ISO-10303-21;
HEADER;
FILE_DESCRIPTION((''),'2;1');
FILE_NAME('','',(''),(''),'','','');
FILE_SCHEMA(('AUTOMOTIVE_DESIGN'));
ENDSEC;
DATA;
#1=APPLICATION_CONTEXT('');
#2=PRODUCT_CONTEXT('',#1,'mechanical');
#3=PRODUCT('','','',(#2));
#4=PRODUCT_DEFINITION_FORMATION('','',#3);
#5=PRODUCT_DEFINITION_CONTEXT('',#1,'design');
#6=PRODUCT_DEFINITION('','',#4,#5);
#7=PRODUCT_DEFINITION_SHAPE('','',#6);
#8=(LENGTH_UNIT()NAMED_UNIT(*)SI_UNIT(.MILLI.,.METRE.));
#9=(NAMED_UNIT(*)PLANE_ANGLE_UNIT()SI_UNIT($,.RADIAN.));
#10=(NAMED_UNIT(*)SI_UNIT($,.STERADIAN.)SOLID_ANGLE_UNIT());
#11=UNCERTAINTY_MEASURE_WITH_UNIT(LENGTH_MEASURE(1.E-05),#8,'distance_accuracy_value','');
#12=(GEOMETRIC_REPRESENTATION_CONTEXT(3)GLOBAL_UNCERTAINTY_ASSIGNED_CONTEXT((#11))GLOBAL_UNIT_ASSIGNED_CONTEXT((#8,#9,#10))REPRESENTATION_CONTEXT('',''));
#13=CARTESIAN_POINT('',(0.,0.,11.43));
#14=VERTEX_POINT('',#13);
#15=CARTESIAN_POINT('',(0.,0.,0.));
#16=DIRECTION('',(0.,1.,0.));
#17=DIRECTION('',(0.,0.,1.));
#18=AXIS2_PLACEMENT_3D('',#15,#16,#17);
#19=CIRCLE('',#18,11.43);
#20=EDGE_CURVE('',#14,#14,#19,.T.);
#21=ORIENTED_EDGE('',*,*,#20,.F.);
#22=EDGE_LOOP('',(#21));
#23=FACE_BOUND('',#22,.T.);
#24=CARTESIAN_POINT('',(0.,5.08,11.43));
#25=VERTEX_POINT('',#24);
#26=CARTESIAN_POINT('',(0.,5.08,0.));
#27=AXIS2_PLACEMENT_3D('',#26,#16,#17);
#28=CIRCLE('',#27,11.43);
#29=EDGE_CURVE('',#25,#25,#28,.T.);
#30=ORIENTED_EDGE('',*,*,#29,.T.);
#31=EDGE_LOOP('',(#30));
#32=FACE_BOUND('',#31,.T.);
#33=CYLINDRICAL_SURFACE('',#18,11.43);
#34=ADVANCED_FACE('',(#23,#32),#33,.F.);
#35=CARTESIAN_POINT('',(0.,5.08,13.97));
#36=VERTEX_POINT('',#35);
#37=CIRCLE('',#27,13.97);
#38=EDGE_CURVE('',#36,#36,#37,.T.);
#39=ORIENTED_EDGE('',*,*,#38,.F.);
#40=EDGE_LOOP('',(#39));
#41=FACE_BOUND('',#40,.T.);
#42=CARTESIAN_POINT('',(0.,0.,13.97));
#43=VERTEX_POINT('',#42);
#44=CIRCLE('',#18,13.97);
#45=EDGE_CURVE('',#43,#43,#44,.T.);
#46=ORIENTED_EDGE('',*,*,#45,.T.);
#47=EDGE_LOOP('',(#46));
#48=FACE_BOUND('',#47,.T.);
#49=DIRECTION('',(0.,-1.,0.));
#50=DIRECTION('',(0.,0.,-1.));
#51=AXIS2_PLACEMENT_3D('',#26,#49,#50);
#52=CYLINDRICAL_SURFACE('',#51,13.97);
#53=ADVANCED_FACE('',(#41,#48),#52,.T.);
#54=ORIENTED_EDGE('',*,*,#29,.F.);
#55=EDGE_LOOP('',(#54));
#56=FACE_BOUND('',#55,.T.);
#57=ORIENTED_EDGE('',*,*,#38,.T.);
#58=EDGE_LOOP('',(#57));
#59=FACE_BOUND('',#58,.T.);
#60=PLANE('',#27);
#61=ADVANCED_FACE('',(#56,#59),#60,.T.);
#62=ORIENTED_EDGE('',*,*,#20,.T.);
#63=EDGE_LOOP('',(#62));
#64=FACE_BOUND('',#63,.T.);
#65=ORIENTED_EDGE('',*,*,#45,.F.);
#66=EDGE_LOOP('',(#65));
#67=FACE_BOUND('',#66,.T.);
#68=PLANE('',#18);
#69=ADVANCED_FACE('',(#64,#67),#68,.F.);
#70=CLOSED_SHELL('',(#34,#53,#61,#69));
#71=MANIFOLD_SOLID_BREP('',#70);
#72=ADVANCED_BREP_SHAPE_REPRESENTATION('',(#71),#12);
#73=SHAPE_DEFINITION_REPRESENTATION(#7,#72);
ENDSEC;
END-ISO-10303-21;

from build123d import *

# Parameters (mm, degrees)
SKETCH1_R           = 13.97
BOSS_EXTRUDE1_DEPTH = 5.08
SKETCH2_R           = 11.43
CUT_EXTRUDE1_DEPTH  = 5.08


with BuildPart() as part:
    # Sketch1 → Boss-Extrude1 (new body)
    with BuildSketch(Plane(origin=(0, 0, 0), x_dir=(1, 0, 0), z_dir=(0, 1, 0))):
        with Locations(Location((0, 0, 0), (0, 0, 270))):
            Circle(SKETCH1_R)
    extrude(amount=BOSS_EXTRUDE1_DEPTH)

    # Sketch2 → Cut-Extrude1 (cut)
    with BuildSketch(Plane(origin=(0, 5.08, 0), x_dir=(1, 0, 0), z_dir=(0, 1, 0))):
        with Locations(Location((0, 0, 0), (0, 0, 270))):
            Circle(SKETCH2_R)
    extrude(amount=-CUT_EXTRUDE1_DEPTH, mode=Mode.SUBTRACT)


solid = part.part
